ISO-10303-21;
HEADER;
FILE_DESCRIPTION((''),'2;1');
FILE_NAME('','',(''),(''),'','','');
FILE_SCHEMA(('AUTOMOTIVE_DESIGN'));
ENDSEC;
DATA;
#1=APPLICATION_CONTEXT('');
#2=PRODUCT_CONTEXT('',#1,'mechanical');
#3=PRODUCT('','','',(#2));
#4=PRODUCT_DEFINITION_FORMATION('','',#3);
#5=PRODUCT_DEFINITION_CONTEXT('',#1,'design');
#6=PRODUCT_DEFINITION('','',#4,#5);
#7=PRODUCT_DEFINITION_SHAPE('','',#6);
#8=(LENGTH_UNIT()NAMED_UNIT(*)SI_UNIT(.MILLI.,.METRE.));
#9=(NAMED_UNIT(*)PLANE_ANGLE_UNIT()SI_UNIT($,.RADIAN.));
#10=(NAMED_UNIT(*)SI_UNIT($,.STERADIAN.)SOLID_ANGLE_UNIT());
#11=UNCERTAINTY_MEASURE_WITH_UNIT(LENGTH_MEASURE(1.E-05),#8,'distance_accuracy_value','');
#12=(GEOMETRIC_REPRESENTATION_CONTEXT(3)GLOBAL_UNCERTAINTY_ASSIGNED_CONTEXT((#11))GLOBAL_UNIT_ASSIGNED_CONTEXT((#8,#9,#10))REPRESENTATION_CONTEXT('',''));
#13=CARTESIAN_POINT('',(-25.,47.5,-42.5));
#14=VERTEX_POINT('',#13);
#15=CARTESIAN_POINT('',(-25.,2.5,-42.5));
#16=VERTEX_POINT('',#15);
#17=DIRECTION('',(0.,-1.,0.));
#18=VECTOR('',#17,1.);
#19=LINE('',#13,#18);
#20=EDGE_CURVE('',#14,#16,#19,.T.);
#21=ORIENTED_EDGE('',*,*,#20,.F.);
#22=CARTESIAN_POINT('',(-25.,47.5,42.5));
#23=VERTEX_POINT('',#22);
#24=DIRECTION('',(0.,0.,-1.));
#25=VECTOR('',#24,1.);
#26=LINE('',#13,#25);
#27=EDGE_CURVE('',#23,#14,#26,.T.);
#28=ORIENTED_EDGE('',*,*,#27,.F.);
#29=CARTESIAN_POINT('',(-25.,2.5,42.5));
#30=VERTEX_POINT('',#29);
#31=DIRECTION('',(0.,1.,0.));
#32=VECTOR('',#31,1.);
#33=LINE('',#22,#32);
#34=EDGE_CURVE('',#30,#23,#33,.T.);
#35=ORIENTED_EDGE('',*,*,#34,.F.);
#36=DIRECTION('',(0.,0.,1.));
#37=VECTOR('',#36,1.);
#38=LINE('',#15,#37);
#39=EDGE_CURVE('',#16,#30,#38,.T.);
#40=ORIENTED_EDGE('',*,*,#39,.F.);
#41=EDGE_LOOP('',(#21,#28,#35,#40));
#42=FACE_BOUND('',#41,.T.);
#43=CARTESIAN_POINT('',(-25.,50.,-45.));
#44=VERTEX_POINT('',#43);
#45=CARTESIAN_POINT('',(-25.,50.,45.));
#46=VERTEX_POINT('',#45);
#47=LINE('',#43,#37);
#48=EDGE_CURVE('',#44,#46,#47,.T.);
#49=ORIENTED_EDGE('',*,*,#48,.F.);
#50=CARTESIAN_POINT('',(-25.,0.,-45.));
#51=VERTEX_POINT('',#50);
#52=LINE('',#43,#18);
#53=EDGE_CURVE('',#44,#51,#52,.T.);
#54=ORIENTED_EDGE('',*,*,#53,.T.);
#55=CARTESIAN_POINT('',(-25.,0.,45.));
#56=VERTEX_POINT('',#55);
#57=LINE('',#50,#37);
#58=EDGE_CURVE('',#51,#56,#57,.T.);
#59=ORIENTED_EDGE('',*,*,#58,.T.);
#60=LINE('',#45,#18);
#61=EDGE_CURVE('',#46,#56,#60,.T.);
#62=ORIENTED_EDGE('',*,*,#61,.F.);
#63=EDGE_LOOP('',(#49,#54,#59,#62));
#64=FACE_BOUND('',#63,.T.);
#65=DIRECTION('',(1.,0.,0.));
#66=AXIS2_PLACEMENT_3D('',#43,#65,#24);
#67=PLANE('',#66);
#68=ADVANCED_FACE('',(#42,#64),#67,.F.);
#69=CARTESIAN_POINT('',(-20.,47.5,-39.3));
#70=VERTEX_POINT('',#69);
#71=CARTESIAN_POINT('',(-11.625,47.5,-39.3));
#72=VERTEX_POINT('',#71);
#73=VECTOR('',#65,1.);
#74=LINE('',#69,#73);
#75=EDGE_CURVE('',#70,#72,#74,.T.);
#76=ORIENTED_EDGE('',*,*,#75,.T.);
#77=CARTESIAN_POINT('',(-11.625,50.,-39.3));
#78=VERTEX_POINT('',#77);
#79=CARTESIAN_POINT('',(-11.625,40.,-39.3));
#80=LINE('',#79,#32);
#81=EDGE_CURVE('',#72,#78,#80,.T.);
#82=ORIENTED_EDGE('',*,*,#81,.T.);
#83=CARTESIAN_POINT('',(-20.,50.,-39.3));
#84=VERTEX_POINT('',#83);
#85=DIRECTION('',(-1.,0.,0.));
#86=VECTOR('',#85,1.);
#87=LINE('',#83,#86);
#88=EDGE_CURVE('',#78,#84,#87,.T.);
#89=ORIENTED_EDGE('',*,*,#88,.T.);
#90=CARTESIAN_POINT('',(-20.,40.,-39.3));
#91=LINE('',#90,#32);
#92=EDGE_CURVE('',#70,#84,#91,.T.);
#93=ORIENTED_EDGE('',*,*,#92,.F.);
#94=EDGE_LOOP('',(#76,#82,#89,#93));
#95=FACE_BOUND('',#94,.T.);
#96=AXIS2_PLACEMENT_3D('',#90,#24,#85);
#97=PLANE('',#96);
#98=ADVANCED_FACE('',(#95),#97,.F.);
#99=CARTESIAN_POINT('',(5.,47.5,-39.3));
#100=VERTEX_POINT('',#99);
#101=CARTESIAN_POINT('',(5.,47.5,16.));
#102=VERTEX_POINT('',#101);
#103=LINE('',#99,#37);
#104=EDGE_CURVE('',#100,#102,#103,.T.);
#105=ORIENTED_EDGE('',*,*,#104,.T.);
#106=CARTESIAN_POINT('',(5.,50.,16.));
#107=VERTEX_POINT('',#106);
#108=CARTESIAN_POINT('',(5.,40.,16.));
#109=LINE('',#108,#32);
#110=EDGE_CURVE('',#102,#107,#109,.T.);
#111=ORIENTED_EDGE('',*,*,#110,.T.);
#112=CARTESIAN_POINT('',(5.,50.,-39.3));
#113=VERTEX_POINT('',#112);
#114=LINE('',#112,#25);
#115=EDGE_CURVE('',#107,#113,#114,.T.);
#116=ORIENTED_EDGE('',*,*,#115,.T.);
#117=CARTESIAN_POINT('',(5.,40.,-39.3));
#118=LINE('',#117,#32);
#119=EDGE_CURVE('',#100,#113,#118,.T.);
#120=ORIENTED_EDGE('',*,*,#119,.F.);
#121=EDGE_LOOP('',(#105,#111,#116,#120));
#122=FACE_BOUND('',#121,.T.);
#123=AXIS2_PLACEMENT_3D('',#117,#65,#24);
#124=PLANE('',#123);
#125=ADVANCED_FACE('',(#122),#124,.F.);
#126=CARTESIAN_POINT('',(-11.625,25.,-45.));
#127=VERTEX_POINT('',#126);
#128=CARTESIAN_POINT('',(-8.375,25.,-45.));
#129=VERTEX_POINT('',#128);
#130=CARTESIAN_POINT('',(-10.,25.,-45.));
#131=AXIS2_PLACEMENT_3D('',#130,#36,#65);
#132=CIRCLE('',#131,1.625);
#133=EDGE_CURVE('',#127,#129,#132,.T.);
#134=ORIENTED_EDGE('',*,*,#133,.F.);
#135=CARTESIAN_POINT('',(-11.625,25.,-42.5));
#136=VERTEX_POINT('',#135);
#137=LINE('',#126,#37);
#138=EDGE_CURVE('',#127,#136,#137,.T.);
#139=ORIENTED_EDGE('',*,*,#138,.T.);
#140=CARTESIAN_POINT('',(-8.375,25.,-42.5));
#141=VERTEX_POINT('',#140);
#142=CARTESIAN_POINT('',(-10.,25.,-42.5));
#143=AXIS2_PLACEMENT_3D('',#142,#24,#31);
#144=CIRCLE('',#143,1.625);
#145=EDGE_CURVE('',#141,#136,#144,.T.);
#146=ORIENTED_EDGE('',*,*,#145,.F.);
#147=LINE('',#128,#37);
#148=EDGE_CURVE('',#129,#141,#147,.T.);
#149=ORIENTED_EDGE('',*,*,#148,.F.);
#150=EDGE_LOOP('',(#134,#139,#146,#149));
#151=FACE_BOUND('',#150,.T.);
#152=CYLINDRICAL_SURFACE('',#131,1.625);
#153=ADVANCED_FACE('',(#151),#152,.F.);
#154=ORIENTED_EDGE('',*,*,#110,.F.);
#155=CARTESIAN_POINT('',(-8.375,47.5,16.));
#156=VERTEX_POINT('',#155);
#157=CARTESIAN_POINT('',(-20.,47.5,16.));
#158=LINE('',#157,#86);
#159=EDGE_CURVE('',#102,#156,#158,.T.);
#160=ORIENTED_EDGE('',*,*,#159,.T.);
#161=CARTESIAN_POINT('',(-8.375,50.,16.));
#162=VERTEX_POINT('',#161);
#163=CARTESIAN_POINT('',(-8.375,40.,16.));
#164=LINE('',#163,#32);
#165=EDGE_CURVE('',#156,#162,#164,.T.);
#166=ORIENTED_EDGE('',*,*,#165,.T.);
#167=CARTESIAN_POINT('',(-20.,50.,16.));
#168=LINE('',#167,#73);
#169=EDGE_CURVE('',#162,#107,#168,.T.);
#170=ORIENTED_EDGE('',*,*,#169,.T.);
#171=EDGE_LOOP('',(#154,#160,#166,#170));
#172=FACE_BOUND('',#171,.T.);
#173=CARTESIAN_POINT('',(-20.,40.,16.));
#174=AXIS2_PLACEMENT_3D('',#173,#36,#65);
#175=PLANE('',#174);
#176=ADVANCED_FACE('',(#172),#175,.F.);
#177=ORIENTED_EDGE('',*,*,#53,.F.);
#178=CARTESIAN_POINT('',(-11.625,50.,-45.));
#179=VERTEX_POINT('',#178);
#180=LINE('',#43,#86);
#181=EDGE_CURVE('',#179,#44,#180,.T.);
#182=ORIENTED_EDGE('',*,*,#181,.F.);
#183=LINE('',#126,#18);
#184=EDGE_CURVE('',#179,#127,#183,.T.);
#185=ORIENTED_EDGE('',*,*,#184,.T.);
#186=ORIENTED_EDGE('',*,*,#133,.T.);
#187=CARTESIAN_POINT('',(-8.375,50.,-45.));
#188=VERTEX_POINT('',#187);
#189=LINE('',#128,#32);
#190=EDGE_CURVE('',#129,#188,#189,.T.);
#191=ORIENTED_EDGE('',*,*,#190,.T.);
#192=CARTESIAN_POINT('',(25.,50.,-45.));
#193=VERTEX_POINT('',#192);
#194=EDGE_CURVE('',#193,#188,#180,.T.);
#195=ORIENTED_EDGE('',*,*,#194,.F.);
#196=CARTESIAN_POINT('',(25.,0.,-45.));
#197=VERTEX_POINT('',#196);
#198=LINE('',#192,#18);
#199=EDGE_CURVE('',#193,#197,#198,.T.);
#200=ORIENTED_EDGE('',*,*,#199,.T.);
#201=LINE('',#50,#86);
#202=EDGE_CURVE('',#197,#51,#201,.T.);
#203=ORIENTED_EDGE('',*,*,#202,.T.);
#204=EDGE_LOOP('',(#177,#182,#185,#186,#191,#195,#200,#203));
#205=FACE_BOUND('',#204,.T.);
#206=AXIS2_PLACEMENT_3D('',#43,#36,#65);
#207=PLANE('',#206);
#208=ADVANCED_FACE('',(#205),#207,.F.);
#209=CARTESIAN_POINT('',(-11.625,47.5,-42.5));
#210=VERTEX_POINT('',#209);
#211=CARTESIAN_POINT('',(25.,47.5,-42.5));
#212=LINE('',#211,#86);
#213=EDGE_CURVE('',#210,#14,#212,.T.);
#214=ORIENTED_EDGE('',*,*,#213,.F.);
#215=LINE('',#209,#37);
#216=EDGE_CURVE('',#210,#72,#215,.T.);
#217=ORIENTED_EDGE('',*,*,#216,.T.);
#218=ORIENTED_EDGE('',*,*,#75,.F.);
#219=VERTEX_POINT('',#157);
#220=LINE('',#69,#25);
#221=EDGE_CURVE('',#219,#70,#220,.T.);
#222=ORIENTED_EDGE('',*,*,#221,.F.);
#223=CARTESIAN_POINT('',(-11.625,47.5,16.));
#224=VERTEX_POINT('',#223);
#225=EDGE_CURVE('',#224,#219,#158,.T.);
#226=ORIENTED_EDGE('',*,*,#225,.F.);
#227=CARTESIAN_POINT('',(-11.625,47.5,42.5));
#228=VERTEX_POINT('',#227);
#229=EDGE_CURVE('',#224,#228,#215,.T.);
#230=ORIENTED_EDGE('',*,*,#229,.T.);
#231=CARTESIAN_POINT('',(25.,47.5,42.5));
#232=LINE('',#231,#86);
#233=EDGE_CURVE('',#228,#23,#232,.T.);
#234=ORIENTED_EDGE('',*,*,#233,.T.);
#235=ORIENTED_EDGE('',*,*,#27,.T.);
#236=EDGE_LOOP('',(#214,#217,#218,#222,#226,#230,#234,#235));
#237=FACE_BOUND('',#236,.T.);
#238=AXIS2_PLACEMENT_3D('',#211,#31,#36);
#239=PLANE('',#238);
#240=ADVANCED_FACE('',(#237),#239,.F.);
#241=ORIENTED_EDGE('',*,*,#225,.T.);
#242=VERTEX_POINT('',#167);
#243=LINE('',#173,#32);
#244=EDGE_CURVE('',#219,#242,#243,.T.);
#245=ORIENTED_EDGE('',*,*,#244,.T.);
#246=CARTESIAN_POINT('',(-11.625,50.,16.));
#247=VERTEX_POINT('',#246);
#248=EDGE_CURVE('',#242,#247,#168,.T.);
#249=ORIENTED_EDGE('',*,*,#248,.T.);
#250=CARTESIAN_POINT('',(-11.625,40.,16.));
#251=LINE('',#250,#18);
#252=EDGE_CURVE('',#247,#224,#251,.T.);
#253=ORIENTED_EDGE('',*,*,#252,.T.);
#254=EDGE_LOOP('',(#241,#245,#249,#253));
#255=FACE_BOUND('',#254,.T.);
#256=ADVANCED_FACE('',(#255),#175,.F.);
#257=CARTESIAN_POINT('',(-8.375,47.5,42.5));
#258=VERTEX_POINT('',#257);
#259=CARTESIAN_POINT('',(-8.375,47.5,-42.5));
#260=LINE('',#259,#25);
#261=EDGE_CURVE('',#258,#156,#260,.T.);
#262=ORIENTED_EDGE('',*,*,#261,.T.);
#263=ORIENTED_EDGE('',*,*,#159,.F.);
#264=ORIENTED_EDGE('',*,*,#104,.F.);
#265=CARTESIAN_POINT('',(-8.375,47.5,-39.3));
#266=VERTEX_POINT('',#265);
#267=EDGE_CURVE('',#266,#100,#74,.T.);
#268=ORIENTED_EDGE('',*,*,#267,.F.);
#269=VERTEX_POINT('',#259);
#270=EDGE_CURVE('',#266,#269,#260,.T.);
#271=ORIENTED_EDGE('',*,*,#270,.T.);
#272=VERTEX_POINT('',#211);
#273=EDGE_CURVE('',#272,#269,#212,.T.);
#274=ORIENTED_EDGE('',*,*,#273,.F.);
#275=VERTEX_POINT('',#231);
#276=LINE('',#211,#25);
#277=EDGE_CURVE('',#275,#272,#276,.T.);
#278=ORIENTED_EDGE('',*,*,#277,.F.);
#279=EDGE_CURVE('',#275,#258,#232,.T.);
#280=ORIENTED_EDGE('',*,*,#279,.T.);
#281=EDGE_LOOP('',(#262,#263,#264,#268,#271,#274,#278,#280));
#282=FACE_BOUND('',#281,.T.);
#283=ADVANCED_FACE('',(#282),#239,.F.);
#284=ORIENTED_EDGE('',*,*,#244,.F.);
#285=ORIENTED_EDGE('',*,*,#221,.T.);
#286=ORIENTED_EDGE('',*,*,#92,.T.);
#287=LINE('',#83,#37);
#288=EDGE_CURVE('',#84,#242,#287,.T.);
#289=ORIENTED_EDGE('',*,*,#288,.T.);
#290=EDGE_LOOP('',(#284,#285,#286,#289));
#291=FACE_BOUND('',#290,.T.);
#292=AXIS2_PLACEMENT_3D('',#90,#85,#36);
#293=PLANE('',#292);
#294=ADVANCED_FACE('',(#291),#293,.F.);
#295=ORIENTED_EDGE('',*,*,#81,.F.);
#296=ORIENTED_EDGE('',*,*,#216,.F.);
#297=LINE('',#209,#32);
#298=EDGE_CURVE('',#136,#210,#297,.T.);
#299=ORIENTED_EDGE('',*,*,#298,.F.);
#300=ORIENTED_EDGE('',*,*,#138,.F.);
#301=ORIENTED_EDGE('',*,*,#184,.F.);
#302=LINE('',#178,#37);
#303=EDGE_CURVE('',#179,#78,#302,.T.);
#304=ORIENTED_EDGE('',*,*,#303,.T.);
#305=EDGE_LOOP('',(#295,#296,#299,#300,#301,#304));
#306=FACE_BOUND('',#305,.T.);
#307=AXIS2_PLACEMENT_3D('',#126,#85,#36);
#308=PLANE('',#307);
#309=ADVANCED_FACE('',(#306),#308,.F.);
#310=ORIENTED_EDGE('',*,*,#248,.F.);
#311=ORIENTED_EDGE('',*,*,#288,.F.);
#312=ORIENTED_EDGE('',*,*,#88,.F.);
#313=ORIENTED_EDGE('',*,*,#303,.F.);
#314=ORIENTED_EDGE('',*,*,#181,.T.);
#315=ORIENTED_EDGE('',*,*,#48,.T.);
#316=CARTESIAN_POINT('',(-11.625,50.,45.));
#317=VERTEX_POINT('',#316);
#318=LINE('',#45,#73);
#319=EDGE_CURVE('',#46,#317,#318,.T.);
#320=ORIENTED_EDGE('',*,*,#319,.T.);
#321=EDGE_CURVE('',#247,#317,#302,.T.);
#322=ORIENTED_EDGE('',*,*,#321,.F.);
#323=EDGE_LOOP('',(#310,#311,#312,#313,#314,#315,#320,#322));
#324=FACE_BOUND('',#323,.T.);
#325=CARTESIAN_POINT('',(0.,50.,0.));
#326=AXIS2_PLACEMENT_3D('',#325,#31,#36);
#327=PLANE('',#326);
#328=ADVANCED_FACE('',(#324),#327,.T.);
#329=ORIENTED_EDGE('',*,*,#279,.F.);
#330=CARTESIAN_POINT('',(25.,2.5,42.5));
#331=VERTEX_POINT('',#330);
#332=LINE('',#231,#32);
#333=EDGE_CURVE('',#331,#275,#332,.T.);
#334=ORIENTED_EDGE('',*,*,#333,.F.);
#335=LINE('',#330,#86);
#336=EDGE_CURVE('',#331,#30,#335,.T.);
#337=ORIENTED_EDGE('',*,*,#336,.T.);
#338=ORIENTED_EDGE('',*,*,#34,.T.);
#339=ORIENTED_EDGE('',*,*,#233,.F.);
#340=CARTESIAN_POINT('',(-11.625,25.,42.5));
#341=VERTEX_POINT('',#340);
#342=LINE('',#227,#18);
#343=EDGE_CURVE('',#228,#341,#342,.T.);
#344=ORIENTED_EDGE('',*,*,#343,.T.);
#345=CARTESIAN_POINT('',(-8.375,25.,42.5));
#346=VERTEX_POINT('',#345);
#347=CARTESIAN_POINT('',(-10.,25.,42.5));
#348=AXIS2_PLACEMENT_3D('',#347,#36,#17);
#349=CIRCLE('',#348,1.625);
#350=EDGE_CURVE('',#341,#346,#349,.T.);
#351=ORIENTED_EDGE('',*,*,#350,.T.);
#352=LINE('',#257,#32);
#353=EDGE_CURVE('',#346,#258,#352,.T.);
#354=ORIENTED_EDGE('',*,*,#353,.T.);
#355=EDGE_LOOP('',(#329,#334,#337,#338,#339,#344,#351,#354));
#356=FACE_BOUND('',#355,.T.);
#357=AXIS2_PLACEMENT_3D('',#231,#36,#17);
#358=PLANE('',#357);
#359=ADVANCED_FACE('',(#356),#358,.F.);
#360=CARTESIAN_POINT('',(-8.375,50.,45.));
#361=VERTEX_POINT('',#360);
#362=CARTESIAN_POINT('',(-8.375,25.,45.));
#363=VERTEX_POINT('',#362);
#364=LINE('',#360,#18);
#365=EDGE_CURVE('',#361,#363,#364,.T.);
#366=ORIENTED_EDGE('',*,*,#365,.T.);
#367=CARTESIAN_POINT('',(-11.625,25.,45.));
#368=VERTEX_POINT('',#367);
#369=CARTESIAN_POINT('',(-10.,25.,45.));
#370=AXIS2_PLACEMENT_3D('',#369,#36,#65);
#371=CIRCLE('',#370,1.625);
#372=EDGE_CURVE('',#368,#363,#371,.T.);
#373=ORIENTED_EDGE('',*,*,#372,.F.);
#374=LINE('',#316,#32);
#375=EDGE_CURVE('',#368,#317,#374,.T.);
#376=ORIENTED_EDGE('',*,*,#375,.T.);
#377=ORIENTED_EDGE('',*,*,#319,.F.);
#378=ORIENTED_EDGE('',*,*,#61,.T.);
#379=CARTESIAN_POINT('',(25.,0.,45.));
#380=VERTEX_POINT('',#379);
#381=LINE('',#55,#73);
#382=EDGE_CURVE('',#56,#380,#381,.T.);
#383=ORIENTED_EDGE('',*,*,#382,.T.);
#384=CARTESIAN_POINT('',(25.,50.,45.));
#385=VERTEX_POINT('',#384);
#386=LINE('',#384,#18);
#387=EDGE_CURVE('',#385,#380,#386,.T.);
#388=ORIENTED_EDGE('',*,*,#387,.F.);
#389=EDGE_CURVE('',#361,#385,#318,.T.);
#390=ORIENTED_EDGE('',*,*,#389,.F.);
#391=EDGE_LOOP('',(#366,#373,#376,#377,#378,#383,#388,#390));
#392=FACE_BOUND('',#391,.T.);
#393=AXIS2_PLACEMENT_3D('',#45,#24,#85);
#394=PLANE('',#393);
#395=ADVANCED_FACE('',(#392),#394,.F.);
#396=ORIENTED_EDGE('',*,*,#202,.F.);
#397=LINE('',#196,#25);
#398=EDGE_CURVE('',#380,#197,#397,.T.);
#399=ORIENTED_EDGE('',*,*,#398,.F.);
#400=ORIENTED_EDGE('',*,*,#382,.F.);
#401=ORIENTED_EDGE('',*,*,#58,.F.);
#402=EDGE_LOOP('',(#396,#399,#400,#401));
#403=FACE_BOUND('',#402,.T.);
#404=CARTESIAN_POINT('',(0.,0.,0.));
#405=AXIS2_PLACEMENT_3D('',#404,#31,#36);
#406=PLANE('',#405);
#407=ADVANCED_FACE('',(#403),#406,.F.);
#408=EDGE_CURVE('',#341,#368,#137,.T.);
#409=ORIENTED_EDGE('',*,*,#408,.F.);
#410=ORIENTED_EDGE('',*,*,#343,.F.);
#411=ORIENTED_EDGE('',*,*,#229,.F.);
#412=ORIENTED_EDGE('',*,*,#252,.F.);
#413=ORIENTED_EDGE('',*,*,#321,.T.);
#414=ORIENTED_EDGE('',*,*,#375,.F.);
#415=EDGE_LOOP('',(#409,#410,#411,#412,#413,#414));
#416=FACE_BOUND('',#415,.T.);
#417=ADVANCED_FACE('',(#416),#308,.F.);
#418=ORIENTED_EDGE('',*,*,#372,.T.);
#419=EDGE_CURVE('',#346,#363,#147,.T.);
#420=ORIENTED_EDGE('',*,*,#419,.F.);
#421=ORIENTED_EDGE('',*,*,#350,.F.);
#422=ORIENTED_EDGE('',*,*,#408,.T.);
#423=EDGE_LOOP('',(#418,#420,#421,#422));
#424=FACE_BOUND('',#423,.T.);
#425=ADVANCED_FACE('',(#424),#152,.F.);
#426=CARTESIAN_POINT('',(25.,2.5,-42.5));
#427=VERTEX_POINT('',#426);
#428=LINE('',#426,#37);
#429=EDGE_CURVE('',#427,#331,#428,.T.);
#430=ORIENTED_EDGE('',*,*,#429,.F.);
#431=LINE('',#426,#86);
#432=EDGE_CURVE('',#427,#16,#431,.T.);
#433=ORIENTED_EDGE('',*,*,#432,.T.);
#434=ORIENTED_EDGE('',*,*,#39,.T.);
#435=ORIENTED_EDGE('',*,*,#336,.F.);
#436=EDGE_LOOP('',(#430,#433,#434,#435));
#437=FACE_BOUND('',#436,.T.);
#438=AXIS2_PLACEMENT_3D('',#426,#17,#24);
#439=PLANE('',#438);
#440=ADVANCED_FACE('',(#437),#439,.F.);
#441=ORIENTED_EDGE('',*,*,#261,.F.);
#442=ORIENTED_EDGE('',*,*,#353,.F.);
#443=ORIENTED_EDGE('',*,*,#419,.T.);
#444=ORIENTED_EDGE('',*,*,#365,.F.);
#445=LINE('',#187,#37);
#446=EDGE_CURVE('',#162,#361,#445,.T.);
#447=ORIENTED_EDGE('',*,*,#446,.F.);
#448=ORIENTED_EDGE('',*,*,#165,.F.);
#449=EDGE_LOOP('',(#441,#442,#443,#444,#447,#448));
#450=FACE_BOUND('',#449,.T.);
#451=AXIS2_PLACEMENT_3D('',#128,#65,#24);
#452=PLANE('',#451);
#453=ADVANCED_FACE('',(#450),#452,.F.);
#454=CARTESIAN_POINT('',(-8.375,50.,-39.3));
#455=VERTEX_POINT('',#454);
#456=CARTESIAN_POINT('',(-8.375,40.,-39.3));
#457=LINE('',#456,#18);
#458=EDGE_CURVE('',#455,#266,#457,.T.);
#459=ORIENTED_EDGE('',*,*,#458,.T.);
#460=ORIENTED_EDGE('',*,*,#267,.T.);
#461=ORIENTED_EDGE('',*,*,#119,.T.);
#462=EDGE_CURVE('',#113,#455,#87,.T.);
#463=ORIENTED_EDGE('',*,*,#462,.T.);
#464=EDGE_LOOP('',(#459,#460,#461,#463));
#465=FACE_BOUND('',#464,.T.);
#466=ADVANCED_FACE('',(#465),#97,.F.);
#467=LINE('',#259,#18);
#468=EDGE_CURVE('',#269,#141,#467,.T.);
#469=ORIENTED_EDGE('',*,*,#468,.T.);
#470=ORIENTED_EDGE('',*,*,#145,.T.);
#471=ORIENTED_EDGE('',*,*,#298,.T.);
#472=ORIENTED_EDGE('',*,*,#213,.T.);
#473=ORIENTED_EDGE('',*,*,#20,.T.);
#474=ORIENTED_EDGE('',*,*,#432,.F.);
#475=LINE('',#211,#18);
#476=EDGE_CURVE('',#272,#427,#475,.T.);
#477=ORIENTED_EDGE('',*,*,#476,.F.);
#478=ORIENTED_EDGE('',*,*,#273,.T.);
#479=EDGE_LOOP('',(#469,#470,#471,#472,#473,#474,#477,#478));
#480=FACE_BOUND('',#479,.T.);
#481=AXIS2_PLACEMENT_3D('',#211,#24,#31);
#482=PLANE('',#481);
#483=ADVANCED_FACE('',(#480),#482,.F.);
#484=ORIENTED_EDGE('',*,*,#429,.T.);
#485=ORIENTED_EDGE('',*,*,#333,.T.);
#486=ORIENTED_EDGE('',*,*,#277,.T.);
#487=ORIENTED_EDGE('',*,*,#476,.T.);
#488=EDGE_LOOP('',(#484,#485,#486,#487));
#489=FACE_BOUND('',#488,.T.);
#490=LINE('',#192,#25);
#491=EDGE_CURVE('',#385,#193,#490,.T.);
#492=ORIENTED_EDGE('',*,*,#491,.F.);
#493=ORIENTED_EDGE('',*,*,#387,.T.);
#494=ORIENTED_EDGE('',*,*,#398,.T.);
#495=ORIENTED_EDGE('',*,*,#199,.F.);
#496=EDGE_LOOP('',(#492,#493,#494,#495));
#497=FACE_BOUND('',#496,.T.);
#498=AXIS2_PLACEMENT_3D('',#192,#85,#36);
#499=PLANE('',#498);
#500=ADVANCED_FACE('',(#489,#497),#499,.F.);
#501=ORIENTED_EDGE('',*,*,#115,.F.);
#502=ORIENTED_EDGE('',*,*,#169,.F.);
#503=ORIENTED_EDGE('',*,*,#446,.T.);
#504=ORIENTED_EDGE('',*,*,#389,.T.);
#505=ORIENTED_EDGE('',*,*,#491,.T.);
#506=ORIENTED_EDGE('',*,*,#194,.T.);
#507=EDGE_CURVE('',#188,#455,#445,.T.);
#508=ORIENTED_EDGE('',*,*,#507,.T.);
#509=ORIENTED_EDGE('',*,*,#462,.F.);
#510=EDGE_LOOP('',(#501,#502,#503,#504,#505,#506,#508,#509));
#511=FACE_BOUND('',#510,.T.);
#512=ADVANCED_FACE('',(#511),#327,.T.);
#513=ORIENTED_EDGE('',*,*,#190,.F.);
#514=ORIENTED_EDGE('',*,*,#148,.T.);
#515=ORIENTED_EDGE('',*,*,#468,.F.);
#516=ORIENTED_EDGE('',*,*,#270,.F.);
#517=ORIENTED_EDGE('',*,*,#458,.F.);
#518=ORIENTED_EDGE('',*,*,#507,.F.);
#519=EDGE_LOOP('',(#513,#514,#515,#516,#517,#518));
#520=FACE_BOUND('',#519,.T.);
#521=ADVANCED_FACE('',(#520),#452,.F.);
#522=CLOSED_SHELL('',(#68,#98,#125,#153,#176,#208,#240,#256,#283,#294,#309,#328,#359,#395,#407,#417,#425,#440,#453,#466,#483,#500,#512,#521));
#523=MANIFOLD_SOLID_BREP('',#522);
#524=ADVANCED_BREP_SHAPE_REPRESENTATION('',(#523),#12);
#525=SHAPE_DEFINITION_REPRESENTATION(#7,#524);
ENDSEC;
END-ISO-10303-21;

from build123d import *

# Parameters (mm, degrees)
SKETCH_1_W               = 50
SKETCH_1_H               = 90
EXTRUDE_1_DEPTH          = 50
SKETCH_2_W               = 25
SKETCH_2_H               = 55.3
CUT_EXTRUDE_1_DEPTH      = 10
SKETCH_3_W               = 85
SKETCH_3_H               = 45
CUT_EXTRUDE_2_DEPTH      = 84.815273071
CUT_EXTRUDE_3_DEPTH      = 106.948100502
CUT_EXTRUDE_3_DEPTH_BACK = 106.948100502


with BuildPart() as part:
    # 草图1 → 凸台-拉伸1 (new body)
    with BuildSketch(Plane(origin=(0, 0, 0), x_dir=(1, 0, 0), z_dir=(0, 1, 0))):
        Rectangle(SKETCH_1_W, SKETCH_1_H)
    extrude(amount=EXTRUDE_1_DEPTH)

    # 草图2 → 切除-拉伸1 (cut)
    with BuildSketch(Plane(origin=(0, 50, 0), x_dir=(1, 0, 0), z_dir=(0, 1, 0))):
        with Locations((-7.5, 11.65)):
            Rectangle(SKETCH_2_W, SKETCH_2_H)
    extrude(amount=-CUT_EXTRUDE_1_DEPTH, mode=Mode.SUBTRACT)

    # 草图3 → 切除-拉伸2 (cut, through all)
    with BuildSketch(Plane.ZY.offset(25)):
        with Locations((0, 25)):
            Rectangle(SKETCH_3_W, SKETCH_3_H)
    extrude(amount=-CUT_EXTRUDE_2_DEPTH, mode=Mode.SUBTRACT)

    # 草图4 → 切除-拉伸3 (cut, two sides: drawn at the far end of the back side and taken through both)
    with BuildSketch(Plane.XY.offset(45).offset(-CUT_EXTRUDE_3_DEPTH_BACK)):
        with BuildLine():
            Line((-11.625, 25), (-11.625, 50))
            Line((-11.625, 50), (-8.375, 50))
            Line((-8.375, 50), (-8.375, 25))
            ThreePointArc((-8.375, 25), (-10, 23.375), (-11.625, 25))
        make_face()
    extrude(amount=CUT_EXTRUDE_3_DEPTH + CUT_EXTRUDE_3_DEPTH_BACK, mode=Mode.SUBTRACT)


solid = part.part
